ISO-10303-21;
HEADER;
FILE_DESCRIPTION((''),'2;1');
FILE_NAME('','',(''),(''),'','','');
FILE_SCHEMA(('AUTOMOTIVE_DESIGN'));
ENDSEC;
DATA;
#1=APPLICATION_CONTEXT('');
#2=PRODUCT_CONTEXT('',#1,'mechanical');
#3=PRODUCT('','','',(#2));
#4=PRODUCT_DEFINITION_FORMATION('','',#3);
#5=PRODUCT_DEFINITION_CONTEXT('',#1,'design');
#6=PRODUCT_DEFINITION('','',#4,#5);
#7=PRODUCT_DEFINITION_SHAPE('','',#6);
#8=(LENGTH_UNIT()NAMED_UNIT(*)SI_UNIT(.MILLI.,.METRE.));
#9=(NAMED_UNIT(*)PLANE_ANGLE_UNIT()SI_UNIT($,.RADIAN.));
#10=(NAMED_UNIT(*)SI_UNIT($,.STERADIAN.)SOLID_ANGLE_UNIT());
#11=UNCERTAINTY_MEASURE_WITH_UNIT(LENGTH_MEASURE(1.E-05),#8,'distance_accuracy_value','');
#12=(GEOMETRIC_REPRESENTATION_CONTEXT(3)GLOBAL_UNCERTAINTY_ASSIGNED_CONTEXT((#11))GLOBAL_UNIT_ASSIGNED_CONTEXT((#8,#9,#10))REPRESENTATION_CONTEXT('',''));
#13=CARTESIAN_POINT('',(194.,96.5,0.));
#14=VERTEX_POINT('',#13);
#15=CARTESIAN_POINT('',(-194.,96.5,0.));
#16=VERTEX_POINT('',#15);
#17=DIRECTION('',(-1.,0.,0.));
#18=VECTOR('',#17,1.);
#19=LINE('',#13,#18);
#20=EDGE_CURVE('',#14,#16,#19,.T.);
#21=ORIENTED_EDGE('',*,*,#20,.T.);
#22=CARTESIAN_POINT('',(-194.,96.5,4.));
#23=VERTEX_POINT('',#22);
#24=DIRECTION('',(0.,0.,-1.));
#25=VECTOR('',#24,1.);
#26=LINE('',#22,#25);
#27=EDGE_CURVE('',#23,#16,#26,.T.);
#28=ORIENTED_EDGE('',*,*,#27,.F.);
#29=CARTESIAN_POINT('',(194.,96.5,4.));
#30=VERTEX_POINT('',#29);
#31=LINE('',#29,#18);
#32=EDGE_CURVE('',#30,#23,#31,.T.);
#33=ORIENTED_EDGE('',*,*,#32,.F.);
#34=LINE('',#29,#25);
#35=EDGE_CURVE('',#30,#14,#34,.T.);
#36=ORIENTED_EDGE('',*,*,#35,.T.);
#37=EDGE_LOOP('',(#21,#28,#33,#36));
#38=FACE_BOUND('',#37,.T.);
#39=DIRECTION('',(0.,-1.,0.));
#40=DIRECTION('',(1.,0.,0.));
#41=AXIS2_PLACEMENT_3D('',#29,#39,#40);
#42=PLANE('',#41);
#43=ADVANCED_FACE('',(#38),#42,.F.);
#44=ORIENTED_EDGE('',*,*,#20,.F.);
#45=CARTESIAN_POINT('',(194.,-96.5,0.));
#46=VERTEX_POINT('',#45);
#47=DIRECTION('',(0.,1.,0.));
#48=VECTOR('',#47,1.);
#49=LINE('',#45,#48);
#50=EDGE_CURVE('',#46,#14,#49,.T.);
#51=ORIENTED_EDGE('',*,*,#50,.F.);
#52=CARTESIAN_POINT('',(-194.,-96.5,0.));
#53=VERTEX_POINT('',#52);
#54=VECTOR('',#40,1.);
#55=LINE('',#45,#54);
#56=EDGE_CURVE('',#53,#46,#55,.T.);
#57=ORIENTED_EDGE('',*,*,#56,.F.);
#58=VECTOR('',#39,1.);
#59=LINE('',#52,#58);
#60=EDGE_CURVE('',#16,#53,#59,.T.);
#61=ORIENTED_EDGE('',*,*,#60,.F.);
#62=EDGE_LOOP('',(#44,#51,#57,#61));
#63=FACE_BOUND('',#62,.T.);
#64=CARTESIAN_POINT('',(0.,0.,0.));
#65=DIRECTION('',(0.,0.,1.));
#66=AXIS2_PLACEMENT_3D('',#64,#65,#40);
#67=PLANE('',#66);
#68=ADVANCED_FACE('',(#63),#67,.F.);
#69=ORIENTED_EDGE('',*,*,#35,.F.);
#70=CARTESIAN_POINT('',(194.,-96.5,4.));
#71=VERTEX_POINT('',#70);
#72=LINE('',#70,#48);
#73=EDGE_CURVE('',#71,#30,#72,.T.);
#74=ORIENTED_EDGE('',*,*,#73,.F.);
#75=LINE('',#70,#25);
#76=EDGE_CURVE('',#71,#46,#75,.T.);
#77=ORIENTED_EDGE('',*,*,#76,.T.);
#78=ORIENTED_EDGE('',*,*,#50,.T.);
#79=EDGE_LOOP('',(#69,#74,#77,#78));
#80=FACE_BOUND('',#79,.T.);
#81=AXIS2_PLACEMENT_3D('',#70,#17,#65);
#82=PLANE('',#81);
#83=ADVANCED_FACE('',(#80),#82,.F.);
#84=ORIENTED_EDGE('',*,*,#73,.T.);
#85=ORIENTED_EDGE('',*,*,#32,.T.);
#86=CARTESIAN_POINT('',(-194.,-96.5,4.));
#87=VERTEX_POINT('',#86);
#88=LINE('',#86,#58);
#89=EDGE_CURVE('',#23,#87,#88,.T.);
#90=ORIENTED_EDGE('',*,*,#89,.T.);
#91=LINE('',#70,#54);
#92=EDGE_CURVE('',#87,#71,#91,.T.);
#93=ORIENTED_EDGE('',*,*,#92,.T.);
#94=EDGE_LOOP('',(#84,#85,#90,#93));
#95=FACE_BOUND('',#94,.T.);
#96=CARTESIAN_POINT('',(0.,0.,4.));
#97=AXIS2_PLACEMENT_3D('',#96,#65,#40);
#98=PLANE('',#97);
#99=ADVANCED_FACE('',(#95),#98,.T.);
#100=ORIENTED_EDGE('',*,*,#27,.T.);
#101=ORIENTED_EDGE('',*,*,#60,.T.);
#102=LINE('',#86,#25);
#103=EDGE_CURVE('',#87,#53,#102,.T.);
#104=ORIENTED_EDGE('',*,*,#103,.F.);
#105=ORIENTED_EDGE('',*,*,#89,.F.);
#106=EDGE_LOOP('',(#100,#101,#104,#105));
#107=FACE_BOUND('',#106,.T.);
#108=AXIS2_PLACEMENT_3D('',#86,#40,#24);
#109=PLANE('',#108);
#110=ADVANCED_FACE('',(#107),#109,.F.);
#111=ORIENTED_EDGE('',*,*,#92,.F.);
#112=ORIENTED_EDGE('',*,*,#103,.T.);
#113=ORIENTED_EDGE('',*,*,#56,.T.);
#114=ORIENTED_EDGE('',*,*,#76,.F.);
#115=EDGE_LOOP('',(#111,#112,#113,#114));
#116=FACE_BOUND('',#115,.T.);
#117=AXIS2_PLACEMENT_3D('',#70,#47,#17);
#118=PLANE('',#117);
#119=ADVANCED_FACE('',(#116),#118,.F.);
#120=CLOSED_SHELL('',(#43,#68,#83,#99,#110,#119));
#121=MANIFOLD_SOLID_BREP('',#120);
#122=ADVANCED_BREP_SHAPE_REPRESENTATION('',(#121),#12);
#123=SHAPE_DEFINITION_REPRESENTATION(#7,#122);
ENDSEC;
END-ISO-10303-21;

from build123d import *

# Parameters (mm, degrees)
SKICA1_W                = 388
SKICA1_H                = 193
P_IDAT_VYSUNUT_M1_DEPTH = 4


with BuildPart() as part:
    # Skica1 → Přidat vysunutím1 (new body)
    with BuildSketch(Plane.XY):
        Rectangle(SKICA1_W, SKICA1_H)
    extrude(amount=P_IDAT_VYSUNUT_M1_DEPTH)


solid = part.part
